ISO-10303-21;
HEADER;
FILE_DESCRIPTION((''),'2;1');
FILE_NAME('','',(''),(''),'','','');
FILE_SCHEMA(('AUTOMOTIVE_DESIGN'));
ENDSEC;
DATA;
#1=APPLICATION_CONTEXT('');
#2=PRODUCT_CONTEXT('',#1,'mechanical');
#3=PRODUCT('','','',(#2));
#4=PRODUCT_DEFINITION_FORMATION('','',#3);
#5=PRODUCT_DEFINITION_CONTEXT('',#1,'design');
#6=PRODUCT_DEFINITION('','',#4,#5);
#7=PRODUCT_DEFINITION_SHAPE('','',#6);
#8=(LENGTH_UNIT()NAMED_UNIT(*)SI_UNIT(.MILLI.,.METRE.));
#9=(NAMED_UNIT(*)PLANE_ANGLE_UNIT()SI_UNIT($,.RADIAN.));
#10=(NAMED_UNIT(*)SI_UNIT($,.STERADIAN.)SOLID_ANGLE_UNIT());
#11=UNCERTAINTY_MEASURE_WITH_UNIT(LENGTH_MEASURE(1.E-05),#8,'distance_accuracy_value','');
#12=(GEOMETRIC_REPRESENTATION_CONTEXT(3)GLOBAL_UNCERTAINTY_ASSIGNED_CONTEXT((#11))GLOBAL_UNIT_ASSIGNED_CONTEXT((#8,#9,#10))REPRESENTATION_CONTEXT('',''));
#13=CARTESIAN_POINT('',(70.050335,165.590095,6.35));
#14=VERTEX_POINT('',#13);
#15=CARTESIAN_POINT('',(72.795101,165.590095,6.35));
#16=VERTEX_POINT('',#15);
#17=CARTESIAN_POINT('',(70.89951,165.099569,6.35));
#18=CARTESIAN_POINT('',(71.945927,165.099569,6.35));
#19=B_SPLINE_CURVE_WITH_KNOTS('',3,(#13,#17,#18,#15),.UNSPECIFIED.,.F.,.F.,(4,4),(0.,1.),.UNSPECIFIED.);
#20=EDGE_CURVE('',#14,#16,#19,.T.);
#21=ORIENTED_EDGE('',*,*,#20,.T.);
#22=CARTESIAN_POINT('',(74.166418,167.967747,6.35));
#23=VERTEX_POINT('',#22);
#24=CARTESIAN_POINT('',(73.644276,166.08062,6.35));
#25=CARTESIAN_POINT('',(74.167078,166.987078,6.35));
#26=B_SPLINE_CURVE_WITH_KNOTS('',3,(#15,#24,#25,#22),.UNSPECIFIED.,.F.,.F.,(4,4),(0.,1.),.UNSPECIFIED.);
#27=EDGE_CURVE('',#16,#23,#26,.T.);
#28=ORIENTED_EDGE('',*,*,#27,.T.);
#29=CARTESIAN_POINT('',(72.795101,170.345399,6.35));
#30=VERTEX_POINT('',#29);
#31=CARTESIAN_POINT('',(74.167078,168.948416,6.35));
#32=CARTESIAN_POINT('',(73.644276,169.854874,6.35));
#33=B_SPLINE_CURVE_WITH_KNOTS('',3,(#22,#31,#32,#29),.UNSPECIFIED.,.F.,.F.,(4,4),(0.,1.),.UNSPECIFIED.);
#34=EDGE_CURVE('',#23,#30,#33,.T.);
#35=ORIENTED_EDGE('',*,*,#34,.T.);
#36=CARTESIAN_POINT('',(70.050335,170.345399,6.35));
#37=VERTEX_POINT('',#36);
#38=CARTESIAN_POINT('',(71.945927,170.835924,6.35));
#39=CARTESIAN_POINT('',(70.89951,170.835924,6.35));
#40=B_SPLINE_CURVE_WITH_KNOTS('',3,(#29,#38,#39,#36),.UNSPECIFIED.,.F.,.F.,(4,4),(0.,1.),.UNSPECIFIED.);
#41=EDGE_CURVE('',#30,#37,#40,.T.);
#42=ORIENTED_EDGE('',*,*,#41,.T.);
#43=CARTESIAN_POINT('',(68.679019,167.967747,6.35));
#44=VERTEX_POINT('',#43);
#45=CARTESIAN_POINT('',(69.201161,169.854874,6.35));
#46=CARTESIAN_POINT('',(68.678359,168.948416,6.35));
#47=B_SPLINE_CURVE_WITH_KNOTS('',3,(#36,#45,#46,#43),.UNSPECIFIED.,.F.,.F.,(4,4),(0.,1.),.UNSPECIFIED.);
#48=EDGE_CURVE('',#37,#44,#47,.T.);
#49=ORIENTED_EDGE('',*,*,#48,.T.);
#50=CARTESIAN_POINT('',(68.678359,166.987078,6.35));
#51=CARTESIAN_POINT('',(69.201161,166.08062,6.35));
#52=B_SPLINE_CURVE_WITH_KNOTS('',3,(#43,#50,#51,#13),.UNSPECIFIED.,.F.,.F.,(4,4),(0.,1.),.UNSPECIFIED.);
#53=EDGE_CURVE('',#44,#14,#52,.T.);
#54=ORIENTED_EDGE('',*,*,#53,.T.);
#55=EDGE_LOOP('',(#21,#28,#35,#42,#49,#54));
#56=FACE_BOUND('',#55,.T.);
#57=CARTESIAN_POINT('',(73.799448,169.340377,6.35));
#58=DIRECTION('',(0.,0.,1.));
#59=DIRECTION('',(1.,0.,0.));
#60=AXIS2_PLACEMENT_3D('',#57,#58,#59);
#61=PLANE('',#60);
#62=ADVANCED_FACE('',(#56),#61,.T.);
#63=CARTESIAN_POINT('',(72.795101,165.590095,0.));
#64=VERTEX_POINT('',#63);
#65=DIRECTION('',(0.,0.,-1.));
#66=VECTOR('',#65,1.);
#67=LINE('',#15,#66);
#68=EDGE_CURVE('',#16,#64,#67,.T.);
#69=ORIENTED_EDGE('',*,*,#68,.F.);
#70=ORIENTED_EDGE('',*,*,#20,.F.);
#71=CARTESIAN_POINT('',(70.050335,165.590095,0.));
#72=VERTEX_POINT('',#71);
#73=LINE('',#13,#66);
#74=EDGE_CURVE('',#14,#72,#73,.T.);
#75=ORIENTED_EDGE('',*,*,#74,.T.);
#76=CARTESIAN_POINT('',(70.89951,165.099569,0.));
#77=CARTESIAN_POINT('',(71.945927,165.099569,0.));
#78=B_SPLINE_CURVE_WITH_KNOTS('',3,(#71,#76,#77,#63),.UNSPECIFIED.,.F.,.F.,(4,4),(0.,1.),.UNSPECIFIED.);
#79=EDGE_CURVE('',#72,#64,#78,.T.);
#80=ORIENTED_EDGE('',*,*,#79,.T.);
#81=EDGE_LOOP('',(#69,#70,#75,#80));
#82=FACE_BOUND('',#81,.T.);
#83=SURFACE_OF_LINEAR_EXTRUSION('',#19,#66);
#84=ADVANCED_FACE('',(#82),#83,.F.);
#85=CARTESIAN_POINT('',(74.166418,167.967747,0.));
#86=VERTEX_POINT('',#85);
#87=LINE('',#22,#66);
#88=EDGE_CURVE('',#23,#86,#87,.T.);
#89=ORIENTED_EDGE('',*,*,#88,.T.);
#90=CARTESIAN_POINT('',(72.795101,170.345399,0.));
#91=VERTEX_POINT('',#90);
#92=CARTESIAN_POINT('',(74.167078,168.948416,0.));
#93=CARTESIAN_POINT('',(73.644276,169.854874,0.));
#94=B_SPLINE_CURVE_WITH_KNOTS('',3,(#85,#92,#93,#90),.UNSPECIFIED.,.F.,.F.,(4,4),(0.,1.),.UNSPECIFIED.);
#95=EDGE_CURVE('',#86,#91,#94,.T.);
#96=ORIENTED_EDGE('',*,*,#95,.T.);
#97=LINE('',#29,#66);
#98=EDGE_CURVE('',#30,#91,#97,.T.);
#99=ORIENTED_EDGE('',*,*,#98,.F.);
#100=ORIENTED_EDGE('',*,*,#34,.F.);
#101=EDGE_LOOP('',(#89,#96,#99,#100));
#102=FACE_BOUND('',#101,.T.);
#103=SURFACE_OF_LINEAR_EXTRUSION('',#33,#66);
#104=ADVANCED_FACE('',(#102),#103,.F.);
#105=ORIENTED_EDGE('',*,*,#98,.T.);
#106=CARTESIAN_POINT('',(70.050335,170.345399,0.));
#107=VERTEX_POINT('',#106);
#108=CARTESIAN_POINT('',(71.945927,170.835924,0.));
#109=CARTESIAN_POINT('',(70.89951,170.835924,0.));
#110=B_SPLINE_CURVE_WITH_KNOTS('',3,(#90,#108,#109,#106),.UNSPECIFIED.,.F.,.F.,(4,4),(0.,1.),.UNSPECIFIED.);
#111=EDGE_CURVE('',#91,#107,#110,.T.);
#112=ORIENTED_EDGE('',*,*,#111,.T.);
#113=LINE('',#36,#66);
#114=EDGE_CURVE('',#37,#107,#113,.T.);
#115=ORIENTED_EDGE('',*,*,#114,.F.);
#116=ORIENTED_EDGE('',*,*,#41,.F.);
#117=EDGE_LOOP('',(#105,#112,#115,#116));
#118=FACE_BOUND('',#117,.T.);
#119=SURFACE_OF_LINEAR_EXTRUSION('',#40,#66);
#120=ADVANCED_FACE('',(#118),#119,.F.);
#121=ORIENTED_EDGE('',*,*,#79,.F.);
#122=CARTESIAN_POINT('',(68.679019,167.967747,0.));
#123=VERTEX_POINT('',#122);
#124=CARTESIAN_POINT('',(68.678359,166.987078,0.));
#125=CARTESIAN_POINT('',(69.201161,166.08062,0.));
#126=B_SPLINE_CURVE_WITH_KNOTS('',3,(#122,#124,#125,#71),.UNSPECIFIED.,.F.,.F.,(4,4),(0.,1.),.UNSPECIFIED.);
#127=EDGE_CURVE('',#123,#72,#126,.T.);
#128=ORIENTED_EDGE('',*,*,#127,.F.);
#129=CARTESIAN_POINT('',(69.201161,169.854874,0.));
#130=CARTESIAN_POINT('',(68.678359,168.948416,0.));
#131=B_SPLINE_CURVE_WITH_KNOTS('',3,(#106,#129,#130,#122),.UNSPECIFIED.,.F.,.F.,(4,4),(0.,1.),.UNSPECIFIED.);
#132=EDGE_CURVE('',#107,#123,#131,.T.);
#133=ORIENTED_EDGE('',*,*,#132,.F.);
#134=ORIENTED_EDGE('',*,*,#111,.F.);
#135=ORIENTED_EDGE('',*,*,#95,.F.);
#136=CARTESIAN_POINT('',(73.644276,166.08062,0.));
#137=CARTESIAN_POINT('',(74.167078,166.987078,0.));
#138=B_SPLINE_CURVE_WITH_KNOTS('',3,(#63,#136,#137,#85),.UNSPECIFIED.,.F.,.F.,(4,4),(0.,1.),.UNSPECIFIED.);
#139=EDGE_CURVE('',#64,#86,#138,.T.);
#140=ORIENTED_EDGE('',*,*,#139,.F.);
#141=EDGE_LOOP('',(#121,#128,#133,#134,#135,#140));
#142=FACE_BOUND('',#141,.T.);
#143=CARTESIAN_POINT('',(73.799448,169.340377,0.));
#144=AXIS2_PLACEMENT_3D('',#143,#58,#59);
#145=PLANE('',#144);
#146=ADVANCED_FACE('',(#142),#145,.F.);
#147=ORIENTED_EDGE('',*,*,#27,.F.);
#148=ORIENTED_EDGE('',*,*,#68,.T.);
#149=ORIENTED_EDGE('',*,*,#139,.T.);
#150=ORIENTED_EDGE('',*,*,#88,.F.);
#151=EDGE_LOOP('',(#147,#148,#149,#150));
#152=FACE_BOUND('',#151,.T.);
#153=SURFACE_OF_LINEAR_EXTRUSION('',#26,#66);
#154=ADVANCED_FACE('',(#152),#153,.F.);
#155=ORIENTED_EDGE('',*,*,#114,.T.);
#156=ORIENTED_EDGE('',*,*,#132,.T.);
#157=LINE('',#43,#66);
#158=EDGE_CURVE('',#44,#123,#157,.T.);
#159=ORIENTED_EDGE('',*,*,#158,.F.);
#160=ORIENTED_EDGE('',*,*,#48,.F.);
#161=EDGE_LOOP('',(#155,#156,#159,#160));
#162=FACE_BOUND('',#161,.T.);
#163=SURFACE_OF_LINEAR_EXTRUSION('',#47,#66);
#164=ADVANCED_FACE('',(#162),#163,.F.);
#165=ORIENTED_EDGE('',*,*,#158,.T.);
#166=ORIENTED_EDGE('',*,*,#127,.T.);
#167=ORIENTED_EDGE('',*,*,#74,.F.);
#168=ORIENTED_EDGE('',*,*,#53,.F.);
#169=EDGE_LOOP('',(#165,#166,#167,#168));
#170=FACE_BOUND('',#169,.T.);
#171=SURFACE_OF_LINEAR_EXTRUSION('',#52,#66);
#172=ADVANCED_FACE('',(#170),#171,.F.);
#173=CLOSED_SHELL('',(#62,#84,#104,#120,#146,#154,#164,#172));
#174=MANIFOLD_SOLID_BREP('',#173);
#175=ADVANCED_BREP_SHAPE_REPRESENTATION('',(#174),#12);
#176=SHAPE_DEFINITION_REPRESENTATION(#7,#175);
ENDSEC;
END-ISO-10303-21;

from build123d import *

# Parameters (mm, degrees)
BOSS_EXTRUDE7_DEPTH = 6.35


with BuildPart() as part:
    # planet pin → Boss-Extrude7 (new body)
    with BuildSketch(Plane.XY):
        with BuildLine():
            add(Edge.make_bspline(
                [(74.166418299, 167.967747425), (74.167078299, 166.987078425), (73.644276299, 166.080620425), (72.795101299, 165.590095425)],
                knots=[0, 0, 0, 0, 1, 1, 1, 1], degree=3))
            add(Edge.make_bspline(
                [(72.795101299, 165.590095425), (71.945927299, 165.099569425), (70.899510299, 165.099569425), (70.050335299, 165.590095425)],
                knots=[0, 0, 0, 0, 1, 1, 1, 1], degree=3))
            add(Edge.make_bspline(
                [(70.050335299, 165.590095425), (69.201161299, 166.080620425), (68.678359299, 166.987078425), (68.679019299, 167.967747425)],
                knots=[0, 0, 0, 0, 1, 1, 1, 1], degree=3))
            add(Edge.make_bspline(
                [(68.679019299, 167.967747425), (68.678359299, 168.948416425), (69.201161299, 169.854874425), (70.050335299, 170.345399425)],
                knots=[0, 0, 0, 0, 1, 1, 1, 1], degree=3))
            add(Edge.make_bspline(
                [(70.050335299, 170.345399425), (70.899510299, 170.835924425), (71.945927299, 170.835924425), (72.795101299, 170.345399425)],
                knots=[0, 0, 0, 0, 1, 1, 1, 1], degree=3))
            add(Edge.make_bspline(
                [(72.795101299, 170.345399425), (73.644276299, 169.854874425), (74.167078299, 168.948416425), (74.166418299, 167.967747425)],
                knots=[0, 0, 0, 0, 1, 1, 1, 1], degree=3))
        make_face()
    extrude(amount=BOSS_EXTRUDE7_DEPTH)


solid = part.part
